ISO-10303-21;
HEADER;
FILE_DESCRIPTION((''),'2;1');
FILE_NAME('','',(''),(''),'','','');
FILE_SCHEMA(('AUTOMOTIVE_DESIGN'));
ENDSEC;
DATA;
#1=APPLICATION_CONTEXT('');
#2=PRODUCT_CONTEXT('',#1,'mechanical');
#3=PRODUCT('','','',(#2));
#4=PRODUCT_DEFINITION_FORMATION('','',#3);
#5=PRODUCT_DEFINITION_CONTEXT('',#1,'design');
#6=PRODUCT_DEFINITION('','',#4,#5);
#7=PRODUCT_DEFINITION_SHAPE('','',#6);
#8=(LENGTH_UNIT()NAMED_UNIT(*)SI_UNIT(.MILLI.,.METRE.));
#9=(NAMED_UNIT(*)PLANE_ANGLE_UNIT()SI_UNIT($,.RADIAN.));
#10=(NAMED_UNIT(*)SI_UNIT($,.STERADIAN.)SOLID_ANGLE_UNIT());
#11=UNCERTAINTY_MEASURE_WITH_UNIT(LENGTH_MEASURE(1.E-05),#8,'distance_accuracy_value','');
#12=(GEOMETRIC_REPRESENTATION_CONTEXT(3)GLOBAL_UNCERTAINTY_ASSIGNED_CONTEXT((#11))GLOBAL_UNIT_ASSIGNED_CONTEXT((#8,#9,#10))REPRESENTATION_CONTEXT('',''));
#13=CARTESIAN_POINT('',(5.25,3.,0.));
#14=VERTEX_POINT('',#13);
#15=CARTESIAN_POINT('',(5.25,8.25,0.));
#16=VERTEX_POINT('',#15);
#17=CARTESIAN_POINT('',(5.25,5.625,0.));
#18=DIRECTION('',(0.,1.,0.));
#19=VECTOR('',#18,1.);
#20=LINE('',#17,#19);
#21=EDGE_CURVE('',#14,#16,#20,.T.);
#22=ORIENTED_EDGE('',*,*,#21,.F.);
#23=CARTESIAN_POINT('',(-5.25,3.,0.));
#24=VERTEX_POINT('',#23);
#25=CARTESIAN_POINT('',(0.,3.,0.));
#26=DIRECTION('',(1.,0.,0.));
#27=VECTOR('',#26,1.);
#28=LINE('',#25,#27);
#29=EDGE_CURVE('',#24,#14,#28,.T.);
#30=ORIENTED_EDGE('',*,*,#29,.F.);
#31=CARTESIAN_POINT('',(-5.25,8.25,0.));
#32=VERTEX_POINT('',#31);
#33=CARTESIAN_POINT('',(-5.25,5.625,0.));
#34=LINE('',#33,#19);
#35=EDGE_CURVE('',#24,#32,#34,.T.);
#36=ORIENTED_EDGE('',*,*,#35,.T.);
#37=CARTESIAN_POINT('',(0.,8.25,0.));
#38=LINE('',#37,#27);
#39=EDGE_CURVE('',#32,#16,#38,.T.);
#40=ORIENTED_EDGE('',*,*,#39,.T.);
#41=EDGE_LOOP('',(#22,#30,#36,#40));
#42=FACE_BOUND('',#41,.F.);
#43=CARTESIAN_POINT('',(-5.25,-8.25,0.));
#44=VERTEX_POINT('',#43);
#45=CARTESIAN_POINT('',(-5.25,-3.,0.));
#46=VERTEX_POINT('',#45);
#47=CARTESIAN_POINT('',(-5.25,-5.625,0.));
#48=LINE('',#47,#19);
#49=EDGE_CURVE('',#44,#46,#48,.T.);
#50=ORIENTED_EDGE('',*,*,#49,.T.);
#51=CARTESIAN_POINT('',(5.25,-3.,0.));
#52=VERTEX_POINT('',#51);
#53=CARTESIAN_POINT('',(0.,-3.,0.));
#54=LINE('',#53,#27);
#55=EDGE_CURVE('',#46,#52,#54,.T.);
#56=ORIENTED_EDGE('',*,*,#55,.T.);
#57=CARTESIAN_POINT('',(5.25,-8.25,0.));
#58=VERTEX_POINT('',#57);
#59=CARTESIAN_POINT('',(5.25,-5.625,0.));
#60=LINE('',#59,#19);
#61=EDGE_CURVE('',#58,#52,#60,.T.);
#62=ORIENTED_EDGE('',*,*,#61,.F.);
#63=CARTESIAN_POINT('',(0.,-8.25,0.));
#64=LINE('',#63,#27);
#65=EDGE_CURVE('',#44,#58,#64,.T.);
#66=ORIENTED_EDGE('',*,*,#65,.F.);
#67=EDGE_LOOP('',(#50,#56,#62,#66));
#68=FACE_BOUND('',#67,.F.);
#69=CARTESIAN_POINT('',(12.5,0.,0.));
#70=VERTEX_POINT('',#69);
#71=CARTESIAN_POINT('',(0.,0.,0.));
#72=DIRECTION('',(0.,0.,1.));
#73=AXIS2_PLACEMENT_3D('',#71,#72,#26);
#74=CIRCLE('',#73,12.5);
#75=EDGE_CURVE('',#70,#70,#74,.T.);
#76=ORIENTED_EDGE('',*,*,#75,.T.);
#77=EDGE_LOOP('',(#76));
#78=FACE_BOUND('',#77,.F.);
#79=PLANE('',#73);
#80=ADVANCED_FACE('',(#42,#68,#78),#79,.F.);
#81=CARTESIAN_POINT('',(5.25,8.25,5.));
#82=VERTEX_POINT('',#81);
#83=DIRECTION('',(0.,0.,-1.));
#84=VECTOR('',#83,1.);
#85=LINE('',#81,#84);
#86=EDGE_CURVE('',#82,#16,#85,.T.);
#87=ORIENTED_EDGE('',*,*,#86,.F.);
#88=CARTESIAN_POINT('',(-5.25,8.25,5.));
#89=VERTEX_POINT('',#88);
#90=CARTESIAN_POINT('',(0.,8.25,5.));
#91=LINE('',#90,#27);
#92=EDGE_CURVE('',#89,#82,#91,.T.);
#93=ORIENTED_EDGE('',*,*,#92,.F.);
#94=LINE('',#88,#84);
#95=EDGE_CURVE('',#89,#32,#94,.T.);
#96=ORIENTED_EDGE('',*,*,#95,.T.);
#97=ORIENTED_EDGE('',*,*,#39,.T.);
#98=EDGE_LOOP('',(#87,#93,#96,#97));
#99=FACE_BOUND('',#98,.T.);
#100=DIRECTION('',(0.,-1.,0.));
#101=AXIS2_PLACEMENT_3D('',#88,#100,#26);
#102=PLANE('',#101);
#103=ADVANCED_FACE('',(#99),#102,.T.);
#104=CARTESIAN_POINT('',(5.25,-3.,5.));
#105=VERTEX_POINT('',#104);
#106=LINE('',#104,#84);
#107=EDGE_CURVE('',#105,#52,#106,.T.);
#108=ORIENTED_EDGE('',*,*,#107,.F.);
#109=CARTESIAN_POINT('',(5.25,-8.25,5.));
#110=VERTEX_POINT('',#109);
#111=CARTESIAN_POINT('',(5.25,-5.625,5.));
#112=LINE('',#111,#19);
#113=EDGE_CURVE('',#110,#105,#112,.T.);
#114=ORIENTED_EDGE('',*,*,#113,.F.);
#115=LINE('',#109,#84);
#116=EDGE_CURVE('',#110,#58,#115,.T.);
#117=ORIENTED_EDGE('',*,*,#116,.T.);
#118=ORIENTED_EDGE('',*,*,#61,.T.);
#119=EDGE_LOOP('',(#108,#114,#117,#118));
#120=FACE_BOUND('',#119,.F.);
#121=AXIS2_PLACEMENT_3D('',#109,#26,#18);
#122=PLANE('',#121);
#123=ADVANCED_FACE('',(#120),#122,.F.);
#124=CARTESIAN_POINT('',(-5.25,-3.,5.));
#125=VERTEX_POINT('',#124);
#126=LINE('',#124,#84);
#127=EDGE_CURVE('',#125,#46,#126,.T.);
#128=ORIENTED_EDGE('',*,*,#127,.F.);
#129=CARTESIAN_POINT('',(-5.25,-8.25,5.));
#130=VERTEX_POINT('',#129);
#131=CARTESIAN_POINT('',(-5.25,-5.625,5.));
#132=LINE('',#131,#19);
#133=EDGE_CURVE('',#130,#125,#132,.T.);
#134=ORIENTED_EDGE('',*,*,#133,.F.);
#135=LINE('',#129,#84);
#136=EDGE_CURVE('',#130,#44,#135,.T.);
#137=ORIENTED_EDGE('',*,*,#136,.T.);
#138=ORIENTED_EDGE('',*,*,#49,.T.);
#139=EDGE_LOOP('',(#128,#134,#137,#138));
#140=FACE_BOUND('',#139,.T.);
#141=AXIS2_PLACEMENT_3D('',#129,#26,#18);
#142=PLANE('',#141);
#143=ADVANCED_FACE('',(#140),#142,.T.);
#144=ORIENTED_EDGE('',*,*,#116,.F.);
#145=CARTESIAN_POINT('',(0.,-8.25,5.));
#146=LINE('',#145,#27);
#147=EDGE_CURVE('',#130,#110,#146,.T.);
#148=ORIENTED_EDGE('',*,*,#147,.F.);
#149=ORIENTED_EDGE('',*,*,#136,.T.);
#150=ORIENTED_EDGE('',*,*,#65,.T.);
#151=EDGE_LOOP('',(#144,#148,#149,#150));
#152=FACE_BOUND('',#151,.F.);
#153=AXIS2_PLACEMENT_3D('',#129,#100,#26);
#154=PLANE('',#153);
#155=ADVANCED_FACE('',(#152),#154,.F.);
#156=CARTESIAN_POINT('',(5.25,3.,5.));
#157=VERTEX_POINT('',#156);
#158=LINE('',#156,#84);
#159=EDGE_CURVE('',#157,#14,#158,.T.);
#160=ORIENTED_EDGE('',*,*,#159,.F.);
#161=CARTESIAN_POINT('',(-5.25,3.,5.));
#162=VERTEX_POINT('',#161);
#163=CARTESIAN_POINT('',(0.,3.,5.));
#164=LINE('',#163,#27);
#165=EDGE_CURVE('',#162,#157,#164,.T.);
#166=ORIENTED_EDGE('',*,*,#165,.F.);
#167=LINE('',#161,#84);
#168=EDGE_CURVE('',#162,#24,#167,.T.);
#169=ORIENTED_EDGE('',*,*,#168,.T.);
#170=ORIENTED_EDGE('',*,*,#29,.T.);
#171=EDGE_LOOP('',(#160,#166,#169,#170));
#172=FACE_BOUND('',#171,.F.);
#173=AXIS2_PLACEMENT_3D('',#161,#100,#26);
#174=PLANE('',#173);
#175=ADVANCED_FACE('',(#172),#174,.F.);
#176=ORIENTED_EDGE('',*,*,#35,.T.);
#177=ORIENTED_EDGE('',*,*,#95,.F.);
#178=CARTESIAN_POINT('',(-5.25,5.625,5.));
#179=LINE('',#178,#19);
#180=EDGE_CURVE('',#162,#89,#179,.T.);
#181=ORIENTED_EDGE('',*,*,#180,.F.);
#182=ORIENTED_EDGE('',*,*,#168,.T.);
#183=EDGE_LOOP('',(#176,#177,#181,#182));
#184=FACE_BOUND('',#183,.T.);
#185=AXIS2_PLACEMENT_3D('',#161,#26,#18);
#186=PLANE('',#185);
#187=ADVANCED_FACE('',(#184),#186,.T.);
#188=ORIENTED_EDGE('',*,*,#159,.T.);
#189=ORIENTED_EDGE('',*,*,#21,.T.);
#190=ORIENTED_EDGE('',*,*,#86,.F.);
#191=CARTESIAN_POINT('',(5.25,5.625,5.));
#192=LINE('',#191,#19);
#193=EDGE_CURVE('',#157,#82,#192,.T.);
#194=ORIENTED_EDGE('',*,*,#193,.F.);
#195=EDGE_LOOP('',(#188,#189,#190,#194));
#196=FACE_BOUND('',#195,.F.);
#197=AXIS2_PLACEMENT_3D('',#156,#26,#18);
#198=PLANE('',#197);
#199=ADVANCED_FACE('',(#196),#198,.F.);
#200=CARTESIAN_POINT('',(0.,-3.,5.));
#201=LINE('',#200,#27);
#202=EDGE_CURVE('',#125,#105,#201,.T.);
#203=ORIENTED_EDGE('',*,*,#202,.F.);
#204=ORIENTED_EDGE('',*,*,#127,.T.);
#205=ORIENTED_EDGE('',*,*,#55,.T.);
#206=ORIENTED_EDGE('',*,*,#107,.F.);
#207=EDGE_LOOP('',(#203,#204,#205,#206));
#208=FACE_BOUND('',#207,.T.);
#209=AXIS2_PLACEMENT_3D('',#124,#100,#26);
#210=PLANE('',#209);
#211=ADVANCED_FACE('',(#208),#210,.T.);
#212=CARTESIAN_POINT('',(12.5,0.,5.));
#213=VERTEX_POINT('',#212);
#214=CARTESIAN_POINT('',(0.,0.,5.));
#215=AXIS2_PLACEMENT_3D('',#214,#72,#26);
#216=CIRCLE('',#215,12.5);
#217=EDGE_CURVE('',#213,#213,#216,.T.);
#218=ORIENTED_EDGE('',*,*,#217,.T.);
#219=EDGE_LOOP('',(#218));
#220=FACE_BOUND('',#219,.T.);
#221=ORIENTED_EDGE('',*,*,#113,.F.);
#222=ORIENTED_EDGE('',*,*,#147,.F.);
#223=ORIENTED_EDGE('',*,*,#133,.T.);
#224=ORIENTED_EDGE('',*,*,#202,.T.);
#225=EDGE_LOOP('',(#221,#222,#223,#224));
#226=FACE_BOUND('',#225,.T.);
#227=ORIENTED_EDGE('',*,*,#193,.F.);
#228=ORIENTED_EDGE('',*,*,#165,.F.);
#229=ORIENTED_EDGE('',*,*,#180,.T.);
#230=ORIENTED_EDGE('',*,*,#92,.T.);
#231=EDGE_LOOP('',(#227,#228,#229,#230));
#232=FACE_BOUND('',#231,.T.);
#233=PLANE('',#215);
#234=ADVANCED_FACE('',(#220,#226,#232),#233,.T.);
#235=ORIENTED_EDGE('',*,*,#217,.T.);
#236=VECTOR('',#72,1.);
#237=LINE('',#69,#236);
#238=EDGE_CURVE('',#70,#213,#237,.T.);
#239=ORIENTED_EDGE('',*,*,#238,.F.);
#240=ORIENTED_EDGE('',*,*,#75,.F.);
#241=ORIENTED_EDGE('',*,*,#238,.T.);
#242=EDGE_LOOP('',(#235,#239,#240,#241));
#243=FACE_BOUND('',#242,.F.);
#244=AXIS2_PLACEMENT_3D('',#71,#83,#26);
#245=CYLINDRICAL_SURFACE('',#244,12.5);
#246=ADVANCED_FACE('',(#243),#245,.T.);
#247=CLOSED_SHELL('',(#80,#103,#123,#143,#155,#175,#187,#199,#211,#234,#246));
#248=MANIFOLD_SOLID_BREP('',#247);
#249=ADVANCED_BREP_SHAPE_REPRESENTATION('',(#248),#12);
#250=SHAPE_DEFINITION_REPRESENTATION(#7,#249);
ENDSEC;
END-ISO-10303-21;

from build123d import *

# Parameters (mm, degrees)
F0_R     = 12.5
F1_DEPTH = 5
F2_W     = 10.5
F2_H     = 5.25
F3_DEPTH = 5


with BuildPart() as f1:
    # F0 (on Top) → F1 (new body)
    with BuildSketch(Plane.XY):
        Circle(F0_R)
    extrude(amount=F1_DEPTH)


with BuildPart() as f3:
    # F2 (on face) → F3 (new body)
    with BuildSketch(Plane.XY.offset(5)):
        with Locations((0, 5.625)):
            Rectangle(F2_W, F2_H)
        with Locations((0, -5.625)):
            Rectangle(F2_W, F2_H)
    extrude(amount=-F3_DEPTH)


with BuildPart() as f1_1:
    add(f1.part)

    # F4: cut F3
    add(f3.part, mode=Mode.SUBTRACT)


solid = f1_1.part
